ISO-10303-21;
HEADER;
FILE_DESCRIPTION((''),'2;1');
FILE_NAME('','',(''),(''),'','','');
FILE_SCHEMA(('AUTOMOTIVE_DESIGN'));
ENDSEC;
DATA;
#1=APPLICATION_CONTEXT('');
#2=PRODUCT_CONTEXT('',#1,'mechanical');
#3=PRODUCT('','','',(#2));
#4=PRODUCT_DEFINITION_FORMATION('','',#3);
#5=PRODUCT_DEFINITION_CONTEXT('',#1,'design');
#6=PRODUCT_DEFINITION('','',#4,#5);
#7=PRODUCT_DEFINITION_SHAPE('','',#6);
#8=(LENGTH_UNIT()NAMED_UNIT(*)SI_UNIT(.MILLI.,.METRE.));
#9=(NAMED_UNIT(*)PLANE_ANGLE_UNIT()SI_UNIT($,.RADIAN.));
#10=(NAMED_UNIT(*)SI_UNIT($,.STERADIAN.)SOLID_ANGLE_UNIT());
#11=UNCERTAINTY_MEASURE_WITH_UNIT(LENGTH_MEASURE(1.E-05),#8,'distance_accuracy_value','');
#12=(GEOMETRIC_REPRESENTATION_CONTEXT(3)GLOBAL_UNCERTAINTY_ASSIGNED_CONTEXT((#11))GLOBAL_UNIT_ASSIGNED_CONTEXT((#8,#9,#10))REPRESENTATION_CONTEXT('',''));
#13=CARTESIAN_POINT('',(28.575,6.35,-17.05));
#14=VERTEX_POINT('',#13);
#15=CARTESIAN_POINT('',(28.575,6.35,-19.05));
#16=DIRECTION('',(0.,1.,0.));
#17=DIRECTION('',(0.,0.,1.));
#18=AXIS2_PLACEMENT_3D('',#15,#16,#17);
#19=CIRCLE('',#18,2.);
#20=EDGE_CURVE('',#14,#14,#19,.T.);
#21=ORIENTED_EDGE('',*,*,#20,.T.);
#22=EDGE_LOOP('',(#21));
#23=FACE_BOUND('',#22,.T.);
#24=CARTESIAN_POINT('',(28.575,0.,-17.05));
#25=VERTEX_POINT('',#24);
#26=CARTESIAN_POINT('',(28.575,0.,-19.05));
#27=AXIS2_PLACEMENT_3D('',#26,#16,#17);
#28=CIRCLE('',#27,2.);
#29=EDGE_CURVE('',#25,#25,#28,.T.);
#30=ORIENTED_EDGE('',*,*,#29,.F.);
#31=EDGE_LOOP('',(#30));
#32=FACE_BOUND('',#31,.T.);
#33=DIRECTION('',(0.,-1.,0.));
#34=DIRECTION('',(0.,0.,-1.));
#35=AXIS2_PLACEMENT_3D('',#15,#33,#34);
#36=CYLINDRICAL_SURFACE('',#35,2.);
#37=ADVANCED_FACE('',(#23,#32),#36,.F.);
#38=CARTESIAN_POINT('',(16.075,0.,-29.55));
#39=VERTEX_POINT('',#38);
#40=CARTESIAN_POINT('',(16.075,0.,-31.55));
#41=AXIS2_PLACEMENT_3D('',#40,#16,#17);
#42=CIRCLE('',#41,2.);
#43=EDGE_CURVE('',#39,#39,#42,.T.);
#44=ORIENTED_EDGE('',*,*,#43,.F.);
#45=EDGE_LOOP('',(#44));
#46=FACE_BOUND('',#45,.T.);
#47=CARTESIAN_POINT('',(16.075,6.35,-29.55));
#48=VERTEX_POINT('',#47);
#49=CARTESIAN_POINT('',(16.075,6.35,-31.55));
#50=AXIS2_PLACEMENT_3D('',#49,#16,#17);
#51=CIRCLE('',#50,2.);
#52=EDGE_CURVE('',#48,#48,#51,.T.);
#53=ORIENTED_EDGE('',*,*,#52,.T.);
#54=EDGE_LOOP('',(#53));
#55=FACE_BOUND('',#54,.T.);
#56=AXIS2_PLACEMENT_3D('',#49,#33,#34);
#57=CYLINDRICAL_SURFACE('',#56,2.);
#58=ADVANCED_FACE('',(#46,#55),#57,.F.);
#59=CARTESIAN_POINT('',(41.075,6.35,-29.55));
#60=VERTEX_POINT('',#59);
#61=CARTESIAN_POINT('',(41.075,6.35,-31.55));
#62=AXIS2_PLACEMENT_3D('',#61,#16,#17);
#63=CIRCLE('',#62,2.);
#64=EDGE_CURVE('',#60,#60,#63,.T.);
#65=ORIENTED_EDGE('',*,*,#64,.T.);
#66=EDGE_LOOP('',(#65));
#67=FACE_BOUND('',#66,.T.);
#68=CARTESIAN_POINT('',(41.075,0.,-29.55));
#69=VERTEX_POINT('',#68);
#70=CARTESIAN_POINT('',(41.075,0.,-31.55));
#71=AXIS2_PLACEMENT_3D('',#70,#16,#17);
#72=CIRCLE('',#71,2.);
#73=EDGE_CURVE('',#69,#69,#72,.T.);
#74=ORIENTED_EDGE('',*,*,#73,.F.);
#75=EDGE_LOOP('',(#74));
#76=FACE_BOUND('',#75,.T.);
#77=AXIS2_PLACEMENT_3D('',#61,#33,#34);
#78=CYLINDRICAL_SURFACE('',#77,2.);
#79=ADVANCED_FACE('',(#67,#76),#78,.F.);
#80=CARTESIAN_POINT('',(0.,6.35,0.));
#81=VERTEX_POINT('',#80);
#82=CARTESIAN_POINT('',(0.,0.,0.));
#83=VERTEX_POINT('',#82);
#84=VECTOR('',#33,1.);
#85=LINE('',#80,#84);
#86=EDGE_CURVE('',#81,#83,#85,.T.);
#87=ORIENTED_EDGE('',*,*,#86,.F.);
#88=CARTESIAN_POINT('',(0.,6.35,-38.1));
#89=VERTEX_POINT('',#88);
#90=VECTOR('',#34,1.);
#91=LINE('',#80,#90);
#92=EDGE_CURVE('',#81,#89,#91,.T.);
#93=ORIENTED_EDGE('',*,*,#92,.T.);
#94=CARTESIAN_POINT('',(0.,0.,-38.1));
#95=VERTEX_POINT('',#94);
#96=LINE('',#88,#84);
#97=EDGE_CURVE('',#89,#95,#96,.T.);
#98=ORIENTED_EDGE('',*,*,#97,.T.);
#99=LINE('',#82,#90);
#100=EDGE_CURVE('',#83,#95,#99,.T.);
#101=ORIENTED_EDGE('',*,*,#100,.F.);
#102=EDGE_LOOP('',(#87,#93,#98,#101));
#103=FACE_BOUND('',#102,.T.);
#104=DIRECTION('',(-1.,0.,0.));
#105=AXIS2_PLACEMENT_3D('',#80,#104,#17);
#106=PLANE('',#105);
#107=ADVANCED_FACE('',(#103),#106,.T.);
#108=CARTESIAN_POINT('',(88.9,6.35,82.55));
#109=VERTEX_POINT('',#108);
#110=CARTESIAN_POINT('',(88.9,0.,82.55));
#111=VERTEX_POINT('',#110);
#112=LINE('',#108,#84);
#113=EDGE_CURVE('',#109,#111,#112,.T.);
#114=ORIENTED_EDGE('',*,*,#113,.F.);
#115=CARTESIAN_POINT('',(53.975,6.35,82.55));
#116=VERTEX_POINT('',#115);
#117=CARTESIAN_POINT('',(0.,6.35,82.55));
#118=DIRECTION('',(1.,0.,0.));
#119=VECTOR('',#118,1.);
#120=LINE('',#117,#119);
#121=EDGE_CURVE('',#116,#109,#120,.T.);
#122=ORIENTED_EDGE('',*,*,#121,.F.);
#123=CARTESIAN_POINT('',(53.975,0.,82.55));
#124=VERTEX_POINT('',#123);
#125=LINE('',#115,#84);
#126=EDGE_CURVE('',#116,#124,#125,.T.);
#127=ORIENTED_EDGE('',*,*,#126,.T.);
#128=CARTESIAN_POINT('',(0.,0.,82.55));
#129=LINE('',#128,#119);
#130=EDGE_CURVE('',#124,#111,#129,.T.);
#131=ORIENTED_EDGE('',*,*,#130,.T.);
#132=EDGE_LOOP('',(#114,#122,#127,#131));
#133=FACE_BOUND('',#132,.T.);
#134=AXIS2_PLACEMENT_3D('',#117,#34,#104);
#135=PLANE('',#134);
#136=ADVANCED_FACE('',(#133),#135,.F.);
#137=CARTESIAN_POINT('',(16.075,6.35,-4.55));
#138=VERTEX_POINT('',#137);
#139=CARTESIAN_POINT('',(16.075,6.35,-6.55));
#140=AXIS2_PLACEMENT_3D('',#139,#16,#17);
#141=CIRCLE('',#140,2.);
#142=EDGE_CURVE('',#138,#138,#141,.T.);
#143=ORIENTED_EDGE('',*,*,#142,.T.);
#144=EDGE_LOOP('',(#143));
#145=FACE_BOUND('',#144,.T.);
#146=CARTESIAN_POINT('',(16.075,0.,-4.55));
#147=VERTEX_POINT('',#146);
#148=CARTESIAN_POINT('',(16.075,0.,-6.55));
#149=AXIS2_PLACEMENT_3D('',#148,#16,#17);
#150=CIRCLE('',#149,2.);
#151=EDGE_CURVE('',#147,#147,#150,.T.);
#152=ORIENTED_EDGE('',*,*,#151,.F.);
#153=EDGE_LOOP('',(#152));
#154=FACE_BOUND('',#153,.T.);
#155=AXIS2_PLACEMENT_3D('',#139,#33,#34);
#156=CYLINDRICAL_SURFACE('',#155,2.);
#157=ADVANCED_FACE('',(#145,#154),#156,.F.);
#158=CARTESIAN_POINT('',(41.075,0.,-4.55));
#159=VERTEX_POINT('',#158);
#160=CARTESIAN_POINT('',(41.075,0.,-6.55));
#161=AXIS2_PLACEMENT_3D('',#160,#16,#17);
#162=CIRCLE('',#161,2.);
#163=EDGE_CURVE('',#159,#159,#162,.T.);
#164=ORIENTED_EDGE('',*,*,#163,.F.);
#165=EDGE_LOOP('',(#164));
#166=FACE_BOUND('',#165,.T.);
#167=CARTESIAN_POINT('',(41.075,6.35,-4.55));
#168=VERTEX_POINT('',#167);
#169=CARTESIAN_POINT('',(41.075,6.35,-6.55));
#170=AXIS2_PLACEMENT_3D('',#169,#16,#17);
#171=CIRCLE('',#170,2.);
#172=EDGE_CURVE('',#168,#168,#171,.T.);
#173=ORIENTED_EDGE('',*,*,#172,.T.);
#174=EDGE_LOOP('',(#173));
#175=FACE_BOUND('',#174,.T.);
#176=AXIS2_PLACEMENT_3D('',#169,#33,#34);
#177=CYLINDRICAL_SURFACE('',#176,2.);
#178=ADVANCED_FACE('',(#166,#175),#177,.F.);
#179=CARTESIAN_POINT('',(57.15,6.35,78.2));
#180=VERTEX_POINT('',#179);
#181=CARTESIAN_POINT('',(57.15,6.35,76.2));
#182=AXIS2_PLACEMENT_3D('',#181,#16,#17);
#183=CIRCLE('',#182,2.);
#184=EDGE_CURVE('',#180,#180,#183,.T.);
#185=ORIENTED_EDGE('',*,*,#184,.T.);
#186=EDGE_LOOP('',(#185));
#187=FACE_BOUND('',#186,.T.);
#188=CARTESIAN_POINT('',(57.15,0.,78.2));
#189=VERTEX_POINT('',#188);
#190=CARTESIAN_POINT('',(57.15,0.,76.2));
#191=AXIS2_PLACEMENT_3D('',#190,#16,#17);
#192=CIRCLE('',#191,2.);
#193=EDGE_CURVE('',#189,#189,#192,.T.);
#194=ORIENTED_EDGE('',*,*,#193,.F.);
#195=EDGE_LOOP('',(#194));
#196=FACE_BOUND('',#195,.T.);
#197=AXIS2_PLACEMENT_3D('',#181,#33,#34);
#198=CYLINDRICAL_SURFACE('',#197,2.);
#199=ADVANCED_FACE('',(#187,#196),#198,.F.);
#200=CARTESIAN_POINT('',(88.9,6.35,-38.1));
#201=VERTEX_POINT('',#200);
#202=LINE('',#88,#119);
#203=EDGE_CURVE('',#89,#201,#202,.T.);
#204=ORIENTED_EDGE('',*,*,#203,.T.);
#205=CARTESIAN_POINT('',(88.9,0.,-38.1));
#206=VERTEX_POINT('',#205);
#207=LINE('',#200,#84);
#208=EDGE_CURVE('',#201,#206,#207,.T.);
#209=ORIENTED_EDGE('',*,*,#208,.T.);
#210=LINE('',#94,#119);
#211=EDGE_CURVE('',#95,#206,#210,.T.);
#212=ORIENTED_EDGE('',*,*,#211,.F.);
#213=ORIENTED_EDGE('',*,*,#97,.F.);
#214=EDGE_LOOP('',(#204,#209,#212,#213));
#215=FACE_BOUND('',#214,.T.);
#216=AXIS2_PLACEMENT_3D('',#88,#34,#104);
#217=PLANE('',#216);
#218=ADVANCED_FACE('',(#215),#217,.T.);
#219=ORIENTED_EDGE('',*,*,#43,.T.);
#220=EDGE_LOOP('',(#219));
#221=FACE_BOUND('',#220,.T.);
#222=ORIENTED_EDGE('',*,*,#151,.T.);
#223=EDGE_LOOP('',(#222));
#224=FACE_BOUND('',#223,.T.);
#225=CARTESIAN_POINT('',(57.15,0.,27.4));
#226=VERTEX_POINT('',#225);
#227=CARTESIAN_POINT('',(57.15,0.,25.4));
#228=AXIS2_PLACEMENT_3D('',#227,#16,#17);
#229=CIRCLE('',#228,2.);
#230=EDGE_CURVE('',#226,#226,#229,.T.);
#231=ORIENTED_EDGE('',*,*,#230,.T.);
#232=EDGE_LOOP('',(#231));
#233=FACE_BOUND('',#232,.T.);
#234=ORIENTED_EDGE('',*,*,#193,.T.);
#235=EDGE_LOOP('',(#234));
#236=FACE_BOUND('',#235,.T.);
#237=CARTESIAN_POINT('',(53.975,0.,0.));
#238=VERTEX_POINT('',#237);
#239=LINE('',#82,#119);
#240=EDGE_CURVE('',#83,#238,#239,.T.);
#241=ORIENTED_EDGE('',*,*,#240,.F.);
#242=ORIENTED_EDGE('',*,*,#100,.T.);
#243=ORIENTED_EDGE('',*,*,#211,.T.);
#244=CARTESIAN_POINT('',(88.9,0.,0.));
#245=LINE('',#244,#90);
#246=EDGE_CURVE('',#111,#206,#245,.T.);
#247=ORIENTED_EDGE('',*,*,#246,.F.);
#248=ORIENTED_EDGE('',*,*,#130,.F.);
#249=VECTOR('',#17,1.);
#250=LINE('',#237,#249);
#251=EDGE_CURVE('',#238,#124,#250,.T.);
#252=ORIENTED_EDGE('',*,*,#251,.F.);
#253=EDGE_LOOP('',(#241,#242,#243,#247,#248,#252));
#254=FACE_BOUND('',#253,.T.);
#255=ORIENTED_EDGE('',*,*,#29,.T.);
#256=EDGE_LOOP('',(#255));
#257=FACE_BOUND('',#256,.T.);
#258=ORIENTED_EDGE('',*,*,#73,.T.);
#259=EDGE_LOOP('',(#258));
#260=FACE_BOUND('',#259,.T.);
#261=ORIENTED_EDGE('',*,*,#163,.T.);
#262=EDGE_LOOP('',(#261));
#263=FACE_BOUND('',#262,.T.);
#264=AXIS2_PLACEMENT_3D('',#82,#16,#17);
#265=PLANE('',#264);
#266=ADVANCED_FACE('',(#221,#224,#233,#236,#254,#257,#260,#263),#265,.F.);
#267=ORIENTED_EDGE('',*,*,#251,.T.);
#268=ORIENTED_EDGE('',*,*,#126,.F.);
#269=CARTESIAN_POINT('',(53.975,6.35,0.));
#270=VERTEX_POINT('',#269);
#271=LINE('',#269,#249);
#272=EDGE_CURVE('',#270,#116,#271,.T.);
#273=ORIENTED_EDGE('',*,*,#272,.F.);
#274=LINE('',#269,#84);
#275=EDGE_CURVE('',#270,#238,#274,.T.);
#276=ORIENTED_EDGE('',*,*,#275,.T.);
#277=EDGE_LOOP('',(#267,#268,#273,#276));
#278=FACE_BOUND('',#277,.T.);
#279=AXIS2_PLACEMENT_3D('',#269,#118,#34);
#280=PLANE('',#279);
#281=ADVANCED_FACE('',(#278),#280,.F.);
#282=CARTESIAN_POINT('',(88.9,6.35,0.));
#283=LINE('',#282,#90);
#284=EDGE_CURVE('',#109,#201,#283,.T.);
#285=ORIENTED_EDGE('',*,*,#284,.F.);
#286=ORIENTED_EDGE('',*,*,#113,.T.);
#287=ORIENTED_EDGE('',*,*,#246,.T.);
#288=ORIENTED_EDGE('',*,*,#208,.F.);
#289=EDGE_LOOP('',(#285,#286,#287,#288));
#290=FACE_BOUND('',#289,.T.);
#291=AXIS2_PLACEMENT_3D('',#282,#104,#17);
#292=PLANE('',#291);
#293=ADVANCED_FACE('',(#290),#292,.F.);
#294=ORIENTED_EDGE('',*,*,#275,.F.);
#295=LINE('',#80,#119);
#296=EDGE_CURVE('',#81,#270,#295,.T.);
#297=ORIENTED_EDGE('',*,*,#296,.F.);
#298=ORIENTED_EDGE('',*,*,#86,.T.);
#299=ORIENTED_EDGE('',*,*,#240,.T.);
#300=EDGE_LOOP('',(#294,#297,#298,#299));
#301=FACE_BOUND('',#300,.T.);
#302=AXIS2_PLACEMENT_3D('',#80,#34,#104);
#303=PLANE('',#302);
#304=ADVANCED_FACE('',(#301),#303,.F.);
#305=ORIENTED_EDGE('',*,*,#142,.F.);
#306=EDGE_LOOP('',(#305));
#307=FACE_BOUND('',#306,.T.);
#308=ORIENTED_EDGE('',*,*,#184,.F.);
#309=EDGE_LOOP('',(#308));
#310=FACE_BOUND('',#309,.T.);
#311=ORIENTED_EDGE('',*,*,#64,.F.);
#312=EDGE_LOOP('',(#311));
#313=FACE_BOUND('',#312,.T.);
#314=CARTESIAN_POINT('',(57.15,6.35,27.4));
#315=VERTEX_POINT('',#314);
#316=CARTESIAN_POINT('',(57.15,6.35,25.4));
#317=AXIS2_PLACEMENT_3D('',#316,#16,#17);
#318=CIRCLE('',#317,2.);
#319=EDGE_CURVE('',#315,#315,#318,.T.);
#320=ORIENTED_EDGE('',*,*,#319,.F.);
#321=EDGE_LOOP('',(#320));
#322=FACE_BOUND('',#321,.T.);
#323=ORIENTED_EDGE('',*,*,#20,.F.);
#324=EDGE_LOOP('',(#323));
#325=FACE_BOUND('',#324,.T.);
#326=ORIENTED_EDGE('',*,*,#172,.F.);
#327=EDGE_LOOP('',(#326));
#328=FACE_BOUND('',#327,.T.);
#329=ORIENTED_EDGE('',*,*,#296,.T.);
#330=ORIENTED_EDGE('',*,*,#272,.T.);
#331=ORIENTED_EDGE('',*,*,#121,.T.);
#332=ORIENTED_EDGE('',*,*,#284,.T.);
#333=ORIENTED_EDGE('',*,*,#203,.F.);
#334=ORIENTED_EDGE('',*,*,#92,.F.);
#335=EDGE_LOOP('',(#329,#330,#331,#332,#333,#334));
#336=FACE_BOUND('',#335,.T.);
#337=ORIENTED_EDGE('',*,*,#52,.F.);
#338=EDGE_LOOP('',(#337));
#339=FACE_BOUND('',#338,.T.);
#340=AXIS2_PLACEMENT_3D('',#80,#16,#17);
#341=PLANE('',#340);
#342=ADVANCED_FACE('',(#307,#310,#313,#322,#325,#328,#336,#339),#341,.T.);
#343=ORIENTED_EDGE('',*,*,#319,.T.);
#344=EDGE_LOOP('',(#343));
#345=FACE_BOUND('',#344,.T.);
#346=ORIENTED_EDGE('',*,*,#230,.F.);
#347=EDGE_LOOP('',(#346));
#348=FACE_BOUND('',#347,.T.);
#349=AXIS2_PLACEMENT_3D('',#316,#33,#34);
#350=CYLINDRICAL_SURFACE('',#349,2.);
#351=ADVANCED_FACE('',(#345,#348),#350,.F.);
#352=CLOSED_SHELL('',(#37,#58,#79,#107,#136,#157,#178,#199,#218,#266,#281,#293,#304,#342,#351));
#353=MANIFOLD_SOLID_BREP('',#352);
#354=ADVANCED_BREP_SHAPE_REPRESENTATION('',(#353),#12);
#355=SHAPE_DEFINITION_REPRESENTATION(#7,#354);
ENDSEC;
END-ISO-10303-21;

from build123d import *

# Parameters (mm, degrees)
SKETCH1_R           = 2
BOSS_EXTRUDE1_DEPTH = 6.35


with BuildPart() as part:
    # Sketch1 → Boss-Extrude1 (new body)
    with BuildSketch(Plane(origin=(0, 0, 0), x_dir=(1, 0, 0), z_dir=(0, 1, 0))):
        Polygon((0, 38.1), (0, 0), (53.975, 0), (53.975, -82.55), (88.9, -82.55), (88.9, 0), (88.9, 38.1), (53.975, 38.1), align=None)
        with Locations((57.15, -76.2)):
            Circle(SKETCH1_R, mode=Mode.SUBTRACT)
        with Locations((57.15, -25.4)):
            Circle(SKETCH1_R, mode=Mode.SUBTRACT)
        with Locations((16.075, 6.55)):
            Circle(SKETCH1_R, mode=Mode.SUBTRACT)
        with Locations((41.075, 6.55)):
            Circle(SKETCH1_R, mode=Mode.SUBTRACT)
        with Locations((16.075, 31.55)):
            Circle(SKETCH1_R, mode=Mode.SUBTRACT)
        with Locations((28.575, 19.05)):
            Circle(SKETCH1_R, mode=Mode.SUBTRACT)
        with Locations((41.075, 31.55)):
            Circle(SKETCH1_R, mode=Mode.SUBTRACT)
    extrude(amount=BOSS_EXTRUDE1_DEPTH)


solid = part.part
